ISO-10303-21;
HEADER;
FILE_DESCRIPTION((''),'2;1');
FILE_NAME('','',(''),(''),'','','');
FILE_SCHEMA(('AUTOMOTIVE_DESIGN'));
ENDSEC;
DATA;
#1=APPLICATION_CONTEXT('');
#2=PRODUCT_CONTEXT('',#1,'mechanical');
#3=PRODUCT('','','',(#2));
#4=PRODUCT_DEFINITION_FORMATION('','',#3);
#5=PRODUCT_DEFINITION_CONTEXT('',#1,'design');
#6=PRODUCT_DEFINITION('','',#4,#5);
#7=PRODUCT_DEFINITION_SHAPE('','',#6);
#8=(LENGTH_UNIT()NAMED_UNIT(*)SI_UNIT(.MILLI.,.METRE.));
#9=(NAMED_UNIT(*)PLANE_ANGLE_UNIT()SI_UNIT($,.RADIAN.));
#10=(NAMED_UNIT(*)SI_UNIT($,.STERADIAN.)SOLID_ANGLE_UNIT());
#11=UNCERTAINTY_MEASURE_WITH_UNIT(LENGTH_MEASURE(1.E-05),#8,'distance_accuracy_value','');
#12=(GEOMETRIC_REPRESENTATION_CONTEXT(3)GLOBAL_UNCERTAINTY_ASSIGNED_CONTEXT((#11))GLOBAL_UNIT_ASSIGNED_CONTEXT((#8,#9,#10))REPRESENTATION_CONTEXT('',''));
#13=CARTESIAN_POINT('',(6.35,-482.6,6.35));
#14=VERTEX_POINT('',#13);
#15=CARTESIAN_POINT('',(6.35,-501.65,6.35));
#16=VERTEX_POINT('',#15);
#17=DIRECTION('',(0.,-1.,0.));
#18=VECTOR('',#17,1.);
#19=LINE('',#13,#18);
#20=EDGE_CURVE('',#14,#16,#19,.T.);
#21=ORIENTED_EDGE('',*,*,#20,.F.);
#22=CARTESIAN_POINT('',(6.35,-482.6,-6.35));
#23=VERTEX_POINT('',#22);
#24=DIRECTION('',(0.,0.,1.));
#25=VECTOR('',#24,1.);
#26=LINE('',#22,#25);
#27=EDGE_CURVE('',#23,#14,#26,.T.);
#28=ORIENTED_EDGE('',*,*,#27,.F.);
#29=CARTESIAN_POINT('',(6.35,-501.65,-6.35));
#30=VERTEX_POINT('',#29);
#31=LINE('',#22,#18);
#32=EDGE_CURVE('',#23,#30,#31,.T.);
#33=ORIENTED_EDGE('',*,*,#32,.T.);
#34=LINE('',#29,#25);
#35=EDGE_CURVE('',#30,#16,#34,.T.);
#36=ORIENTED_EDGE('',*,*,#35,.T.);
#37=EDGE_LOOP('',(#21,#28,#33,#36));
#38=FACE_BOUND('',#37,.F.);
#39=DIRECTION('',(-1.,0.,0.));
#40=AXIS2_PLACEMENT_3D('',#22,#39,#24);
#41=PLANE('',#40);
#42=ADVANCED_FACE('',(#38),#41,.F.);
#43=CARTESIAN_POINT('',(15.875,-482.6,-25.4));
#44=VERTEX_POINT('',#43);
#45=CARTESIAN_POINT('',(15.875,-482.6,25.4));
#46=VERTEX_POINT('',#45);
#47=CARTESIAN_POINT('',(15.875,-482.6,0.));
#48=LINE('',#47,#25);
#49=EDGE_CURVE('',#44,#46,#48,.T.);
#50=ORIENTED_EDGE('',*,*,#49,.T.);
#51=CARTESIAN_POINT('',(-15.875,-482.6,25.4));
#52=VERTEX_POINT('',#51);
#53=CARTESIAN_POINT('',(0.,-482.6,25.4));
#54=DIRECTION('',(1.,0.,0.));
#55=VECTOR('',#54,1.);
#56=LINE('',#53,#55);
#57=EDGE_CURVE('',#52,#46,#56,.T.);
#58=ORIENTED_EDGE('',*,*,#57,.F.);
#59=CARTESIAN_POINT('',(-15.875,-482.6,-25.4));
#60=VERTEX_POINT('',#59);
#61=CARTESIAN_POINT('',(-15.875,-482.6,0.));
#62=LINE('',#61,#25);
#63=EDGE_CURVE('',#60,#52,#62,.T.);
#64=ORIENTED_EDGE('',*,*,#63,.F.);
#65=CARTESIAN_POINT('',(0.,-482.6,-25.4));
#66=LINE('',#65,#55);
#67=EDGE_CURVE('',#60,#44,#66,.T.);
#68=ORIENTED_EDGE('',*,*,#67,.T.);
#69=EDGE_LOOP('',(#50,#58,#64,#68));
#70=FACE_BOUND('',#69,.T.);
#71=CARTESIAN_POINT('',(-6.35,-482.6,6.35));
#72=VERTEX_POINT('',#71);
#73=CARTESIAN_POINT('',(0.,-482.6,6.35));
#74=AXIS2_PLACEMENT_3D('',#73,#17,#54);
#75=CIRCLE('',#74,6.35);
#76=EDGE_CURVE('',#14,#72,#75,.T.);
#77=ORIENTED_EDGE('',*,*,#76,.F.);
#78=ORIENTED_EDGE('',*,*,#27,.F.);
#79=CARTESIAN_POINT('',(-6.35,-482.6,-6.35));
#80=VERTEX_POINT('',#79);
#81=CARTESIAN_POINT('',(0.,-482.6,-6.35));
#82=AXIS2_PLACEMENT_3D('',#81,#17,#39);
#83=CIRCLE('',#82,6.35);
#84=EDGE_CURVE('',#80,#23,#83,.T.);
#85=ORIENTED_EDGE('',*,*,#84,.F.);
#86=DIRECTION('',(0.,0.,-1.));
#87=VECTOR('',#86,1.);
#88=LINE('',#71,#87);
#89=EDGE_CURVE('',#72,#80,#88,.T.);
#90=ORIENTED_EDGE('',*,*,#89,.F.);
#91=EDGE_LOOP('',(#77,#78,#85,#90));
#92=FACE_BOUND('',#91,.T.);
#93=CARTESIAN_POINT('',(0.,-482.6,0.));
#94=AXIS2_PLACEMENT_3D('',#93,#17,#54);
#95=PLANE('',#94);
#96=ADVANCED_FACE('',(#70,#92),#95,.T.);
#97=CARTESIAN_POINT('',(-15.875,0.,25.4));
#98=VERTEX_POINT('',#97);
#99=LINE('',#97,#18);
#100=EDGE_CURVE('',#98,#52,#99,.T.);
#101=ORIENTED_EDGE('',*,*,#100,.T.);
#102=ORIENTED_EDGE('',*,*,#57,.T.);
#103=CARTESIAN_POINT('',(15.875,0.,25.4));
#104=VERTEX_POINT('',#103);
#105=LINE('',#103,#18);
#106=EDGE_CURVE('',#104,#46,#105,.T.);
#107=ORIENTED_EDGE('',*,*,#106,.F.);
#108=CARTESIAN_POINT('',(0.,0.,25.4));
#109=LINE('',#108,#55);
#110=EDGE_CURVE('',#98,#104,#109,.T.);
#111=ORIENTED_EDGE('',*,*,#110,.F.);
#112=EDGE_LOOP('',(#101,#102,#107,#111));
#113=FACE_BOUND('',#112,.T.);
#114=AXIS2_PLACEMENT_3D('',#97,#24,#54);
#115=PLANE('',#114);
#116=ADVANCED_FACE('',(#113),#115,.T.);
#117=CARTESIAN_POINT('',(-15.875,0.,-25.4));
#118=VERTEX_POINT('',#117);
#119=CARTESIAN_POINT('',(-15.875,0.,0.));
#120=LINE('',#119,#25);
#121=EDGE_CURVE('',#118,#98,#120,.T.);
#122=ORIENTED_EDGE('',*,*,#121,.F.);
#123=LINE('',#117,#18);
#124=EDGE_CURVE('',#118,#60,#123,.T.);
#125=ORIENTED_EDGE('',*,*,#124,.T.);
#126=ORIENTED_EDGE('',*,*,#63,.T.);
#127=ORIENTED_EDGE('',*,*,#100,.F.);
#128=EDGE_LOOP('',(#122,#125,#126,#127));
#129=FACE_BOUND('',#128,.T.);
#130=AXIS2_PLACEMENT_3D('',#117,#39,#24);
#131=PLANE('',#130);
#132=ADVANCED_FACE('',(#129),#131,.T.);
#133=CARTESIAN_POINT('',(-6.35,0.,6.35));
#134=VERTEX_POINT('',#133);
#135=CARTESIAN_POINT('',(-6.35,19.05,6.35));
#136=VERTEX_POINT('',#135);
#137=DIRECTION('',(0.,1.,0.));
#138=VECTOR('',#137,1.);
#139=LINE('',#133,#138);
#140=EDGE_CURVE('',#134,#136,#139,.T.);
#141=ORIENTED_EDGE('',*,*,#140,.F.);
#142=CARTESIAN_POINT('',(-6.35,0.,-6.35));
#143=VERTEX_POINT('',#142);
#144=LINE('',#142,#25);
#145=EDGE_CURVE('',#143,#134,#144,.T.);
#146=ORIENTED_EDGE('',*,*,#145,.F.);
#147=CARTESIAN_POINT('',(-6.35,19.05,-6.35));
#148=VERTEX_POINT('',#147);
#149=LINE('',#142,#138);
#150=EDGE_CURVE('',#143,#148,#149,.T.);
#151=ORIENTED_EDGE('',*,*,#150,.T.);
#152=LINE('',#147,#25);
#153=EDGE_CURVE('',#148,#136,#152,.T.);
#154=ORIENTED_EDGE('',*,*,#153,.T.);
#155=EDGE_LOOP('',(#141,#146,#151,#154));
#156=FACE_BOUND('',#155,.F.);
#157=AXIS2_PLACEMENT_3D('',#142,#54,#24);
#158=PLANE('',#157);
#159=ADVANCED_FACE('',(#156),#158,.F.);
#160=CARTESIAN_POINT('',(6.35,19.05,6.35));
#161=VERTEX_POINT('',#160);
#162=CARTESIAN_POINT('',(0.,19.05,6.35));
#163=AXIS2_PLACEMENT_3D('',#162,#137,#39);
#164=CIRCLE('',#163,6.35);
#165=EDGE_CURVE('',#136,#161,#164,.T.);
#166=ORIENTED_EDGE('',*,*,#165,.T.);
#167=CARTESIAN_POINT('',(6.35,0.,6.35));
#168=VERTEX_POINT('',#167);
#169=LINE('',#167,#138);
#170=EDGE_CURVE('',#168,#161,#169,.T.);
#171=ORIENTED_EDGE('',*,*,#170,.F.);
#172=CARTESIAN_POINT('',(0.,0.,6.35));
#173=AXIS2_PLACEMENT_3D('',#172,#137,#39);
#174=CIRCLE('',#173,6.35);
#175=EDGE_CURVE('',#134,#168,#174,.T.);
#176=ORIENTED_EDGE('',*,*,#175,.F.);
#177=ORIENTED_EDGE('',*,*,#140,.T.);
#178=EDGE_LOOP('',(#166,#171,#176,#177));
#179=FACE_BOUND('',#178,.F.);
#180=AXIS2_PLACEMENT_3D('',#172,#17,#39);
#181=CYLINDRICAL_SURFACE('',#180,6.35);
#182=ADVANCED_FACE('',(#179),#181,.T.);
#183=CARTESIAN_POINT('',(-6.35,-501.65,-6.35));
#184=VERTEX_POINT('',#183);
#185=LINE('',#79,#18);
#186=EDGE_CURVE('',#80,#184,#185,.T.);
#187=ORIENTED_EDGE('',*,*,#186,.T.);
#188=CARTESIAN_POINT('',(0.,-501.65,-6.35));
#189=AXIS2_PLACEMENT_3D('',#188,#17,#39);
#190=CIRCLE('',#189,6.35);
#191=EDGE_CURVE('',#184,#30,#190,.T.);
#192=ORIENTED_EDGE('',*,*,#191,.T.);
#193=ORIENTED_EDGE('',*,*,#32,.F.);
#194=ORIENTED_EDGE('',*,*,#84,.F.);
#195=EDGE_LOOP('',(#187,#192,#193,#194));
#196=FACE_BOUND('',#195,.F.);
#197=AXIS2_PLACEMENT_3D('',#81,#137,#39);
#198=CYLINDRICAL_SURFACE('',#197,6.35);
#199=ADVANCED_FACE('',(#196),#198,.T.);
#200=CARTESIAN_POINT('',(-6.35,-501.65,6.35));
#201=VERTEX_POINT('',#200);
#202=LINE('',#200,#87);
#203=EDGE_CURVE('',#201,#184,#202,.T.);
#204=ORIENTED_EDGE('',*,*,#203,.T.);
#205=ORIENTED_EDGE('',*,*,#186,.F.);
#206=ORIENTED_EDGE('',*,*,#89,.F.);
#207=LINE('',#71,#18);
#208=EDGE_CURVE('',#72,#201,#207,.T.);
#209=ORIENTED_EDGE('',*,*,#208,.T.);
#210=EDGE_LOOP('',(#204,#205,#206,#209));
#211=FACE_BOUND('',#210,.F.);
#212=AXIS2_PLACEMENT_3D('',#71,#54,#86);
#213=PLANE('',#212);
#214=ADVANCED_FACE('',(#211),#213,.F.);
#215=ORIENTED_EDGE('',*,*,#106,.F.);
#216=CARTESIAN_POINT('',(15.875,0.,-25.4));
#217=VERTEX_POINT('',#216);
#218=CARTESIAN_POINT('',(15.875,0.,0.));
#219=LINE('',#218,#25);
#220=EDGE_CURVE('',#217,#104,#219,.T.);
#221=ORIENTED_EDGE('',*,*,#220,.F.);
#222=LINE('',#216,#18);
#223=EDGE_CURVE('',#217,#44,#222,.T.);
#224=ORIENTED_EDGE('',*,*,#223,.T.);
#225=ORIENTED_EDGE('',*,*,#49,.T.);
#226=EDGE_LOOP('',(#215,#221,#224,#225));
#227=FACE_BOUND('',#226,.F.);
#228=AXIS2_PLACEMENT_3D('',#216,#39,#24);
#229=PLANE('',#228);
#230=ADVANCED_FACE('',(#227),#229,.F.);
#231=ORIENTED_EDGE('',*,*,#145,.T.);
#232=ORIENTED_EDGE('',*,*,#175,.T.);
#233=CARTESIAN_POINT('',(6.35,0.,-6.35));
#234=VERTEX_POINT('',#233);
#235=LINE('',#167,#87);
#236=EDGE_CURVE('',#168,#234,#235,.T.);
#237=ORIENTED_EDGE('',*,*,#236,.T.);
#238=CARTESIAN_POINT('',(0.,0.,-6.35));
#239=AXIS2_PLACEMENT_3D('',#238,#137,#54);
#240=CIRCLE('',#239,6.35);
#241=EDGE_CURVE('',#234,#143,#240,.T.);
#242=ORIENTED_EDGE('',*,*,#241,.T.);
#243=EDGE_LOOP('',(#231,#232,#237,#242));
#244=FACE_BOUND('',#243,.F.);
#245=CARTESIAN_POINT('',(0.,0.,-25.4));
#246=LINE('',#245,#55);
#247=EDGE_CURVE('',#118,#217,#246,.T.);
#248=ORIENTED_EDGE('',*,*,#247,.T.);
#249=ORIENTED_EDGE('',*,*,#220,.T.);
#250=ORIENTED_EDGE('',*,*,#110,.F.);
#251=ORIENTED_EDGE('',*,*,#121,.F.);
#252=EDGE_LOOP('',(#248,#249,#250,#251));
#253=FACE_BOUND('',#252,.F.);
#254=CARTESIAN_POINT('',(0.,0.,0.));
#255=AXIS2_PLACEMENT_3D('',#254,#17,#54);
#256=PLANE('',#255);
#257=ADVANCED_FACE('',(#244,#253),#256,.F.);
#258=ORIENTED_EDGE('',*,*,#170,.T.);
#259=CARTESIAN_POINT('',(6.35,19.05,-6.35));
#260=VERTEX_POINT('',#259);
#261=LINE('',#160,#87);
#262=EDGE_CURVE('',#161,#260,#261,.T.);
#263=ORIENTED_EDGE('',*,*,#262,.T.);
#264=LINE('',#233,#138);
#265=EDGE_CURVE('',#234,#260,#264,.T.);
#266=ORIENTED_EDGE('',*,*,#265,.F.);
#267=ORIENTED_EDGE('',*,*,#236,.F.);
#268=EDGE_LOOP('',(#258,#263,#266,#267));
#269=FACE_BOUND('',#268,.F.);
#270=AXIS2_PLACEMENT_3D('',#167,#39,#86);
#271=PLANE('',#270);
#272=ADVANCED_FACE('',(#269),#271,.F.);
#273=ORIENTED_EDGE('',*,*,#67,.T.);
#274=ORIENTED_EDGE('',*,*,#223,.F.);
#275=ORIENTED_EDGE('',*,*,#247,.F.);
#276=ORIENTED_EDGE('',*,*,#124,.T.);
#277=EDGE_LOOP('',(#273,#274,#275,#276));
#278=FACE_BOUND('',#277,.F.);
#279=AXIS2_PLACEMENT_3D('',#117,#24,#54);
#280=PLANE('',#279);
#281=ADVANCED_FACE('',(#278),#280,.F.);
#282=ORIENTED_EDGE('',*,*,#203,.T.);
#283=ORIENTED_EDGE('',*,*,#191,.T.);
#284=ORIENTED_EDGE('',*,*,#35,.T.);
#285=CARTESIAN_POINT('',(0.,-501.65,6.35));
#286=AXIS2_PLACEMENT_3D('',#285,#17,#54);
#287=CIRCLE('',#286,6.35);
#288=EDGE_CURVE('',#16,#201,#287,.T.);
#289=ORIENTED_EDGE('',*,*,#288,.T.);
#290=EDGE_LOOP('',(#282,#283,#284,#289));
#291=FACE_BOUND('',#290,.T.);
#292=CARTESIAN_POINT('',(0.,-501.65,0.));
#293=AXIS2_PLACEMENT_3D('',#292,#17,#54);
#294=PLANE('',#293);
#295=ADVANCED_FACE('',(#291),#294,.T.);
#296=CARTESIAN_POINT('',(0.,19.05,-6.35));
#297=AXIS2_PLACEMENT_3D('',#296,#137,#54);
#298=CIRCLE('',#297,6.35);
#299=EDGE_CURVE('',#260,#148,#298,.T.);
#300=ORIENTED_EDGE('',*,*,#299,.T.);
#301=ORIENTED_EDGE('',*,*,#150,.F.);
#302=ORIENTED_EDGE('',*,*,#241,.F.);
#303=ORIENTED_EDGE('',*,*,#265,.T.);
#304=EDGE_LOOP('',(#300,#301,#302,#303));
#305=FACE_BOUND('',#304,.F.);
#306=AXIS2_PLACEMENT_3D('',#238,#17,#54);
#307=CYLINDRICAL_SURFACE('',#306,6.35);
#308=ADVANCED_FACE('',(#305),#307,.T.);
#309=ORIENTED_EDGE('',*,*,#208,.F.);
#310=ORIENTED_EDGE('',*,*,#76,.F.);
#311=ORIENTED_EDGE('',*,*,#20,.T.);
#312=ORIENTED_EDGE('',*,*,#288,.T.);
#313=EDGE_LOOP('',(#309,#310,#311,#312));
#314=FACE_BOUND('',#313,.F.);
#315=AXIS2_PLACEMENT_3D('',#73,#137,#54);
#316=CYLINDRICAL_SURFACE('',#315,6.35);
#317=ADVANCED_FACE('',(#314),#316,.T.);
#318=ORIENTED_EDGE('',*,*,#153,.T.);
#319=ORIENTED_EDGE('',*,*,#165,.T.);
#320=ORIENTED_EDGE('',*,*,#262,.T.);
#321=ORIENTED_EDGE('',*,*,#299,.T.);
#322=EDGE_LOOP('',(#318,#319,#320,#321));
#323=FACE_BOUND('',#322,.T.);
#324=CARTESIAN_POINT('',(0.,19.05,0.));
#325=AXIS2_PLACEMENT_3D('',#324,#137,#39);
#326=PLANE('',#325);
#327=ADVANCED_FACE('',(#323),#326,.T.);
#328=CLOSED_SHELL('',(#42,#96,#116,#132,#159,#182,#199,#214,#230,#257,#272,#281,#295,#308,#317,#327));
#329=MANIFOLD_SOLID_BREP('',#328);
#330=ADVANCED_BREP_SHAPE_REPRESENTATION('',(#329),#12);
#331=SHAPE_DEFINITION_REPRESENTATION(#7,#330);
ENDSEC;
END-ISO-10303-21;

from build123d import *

# Parameters (mm, degrees)
F0_W     = 31.75
F0_H     = 50.8
F1_DEPTH = 482.6
F3_DEPTH = 19.05
F5_DEPTH = 19.05


with BuildPart() as f1:
    # F0 (on Front) → F1 (new body)
    with BuildSketch(Plane.XZ):
        Rectangle(F0_W, F0_H)
    extrude(amount=F1_DEPTH)

    # F2 (on face) → F3 (join)
    with BuildSketch(Plane(origin=(0, 0, 0), x_dir=(-1, 0, 0), z_dir=(0, 1, 0))):
        with BuildLine():
            Line((-6.35, 6.35), (-6.35, -6.35))
            ThreePointArc((-6.35, -6.35), (0, -12.7), (6.35, -6.35))
            Line((6.35, -6.35), (6.35, 6.35))
            ThreePointArc((6.35, 6.35), (0, 12.7), (-6.35, 6.35))
        make_face()
    extrude(amount=F3_DEPTH)

    # F4 (on face) → F5 (join)
    with BuildSketch(Plane.XZ.offset(482.6)):
        with BuildLine():
            Line((-6.35, 6.35), (-6.35, -6.35))
            ThreePointArc((-6.35, -6.35), (0, -12.7), (6.35, -6.35))
            Line((6.35, -6.35), (6.35, 6.35))
            ThreePointArc((6.35, 6.35), (0, 12.7), (-6.35, 6.35))
        make_face()
    extrude(amount=F5_DEPTH)


solid = f1.part
